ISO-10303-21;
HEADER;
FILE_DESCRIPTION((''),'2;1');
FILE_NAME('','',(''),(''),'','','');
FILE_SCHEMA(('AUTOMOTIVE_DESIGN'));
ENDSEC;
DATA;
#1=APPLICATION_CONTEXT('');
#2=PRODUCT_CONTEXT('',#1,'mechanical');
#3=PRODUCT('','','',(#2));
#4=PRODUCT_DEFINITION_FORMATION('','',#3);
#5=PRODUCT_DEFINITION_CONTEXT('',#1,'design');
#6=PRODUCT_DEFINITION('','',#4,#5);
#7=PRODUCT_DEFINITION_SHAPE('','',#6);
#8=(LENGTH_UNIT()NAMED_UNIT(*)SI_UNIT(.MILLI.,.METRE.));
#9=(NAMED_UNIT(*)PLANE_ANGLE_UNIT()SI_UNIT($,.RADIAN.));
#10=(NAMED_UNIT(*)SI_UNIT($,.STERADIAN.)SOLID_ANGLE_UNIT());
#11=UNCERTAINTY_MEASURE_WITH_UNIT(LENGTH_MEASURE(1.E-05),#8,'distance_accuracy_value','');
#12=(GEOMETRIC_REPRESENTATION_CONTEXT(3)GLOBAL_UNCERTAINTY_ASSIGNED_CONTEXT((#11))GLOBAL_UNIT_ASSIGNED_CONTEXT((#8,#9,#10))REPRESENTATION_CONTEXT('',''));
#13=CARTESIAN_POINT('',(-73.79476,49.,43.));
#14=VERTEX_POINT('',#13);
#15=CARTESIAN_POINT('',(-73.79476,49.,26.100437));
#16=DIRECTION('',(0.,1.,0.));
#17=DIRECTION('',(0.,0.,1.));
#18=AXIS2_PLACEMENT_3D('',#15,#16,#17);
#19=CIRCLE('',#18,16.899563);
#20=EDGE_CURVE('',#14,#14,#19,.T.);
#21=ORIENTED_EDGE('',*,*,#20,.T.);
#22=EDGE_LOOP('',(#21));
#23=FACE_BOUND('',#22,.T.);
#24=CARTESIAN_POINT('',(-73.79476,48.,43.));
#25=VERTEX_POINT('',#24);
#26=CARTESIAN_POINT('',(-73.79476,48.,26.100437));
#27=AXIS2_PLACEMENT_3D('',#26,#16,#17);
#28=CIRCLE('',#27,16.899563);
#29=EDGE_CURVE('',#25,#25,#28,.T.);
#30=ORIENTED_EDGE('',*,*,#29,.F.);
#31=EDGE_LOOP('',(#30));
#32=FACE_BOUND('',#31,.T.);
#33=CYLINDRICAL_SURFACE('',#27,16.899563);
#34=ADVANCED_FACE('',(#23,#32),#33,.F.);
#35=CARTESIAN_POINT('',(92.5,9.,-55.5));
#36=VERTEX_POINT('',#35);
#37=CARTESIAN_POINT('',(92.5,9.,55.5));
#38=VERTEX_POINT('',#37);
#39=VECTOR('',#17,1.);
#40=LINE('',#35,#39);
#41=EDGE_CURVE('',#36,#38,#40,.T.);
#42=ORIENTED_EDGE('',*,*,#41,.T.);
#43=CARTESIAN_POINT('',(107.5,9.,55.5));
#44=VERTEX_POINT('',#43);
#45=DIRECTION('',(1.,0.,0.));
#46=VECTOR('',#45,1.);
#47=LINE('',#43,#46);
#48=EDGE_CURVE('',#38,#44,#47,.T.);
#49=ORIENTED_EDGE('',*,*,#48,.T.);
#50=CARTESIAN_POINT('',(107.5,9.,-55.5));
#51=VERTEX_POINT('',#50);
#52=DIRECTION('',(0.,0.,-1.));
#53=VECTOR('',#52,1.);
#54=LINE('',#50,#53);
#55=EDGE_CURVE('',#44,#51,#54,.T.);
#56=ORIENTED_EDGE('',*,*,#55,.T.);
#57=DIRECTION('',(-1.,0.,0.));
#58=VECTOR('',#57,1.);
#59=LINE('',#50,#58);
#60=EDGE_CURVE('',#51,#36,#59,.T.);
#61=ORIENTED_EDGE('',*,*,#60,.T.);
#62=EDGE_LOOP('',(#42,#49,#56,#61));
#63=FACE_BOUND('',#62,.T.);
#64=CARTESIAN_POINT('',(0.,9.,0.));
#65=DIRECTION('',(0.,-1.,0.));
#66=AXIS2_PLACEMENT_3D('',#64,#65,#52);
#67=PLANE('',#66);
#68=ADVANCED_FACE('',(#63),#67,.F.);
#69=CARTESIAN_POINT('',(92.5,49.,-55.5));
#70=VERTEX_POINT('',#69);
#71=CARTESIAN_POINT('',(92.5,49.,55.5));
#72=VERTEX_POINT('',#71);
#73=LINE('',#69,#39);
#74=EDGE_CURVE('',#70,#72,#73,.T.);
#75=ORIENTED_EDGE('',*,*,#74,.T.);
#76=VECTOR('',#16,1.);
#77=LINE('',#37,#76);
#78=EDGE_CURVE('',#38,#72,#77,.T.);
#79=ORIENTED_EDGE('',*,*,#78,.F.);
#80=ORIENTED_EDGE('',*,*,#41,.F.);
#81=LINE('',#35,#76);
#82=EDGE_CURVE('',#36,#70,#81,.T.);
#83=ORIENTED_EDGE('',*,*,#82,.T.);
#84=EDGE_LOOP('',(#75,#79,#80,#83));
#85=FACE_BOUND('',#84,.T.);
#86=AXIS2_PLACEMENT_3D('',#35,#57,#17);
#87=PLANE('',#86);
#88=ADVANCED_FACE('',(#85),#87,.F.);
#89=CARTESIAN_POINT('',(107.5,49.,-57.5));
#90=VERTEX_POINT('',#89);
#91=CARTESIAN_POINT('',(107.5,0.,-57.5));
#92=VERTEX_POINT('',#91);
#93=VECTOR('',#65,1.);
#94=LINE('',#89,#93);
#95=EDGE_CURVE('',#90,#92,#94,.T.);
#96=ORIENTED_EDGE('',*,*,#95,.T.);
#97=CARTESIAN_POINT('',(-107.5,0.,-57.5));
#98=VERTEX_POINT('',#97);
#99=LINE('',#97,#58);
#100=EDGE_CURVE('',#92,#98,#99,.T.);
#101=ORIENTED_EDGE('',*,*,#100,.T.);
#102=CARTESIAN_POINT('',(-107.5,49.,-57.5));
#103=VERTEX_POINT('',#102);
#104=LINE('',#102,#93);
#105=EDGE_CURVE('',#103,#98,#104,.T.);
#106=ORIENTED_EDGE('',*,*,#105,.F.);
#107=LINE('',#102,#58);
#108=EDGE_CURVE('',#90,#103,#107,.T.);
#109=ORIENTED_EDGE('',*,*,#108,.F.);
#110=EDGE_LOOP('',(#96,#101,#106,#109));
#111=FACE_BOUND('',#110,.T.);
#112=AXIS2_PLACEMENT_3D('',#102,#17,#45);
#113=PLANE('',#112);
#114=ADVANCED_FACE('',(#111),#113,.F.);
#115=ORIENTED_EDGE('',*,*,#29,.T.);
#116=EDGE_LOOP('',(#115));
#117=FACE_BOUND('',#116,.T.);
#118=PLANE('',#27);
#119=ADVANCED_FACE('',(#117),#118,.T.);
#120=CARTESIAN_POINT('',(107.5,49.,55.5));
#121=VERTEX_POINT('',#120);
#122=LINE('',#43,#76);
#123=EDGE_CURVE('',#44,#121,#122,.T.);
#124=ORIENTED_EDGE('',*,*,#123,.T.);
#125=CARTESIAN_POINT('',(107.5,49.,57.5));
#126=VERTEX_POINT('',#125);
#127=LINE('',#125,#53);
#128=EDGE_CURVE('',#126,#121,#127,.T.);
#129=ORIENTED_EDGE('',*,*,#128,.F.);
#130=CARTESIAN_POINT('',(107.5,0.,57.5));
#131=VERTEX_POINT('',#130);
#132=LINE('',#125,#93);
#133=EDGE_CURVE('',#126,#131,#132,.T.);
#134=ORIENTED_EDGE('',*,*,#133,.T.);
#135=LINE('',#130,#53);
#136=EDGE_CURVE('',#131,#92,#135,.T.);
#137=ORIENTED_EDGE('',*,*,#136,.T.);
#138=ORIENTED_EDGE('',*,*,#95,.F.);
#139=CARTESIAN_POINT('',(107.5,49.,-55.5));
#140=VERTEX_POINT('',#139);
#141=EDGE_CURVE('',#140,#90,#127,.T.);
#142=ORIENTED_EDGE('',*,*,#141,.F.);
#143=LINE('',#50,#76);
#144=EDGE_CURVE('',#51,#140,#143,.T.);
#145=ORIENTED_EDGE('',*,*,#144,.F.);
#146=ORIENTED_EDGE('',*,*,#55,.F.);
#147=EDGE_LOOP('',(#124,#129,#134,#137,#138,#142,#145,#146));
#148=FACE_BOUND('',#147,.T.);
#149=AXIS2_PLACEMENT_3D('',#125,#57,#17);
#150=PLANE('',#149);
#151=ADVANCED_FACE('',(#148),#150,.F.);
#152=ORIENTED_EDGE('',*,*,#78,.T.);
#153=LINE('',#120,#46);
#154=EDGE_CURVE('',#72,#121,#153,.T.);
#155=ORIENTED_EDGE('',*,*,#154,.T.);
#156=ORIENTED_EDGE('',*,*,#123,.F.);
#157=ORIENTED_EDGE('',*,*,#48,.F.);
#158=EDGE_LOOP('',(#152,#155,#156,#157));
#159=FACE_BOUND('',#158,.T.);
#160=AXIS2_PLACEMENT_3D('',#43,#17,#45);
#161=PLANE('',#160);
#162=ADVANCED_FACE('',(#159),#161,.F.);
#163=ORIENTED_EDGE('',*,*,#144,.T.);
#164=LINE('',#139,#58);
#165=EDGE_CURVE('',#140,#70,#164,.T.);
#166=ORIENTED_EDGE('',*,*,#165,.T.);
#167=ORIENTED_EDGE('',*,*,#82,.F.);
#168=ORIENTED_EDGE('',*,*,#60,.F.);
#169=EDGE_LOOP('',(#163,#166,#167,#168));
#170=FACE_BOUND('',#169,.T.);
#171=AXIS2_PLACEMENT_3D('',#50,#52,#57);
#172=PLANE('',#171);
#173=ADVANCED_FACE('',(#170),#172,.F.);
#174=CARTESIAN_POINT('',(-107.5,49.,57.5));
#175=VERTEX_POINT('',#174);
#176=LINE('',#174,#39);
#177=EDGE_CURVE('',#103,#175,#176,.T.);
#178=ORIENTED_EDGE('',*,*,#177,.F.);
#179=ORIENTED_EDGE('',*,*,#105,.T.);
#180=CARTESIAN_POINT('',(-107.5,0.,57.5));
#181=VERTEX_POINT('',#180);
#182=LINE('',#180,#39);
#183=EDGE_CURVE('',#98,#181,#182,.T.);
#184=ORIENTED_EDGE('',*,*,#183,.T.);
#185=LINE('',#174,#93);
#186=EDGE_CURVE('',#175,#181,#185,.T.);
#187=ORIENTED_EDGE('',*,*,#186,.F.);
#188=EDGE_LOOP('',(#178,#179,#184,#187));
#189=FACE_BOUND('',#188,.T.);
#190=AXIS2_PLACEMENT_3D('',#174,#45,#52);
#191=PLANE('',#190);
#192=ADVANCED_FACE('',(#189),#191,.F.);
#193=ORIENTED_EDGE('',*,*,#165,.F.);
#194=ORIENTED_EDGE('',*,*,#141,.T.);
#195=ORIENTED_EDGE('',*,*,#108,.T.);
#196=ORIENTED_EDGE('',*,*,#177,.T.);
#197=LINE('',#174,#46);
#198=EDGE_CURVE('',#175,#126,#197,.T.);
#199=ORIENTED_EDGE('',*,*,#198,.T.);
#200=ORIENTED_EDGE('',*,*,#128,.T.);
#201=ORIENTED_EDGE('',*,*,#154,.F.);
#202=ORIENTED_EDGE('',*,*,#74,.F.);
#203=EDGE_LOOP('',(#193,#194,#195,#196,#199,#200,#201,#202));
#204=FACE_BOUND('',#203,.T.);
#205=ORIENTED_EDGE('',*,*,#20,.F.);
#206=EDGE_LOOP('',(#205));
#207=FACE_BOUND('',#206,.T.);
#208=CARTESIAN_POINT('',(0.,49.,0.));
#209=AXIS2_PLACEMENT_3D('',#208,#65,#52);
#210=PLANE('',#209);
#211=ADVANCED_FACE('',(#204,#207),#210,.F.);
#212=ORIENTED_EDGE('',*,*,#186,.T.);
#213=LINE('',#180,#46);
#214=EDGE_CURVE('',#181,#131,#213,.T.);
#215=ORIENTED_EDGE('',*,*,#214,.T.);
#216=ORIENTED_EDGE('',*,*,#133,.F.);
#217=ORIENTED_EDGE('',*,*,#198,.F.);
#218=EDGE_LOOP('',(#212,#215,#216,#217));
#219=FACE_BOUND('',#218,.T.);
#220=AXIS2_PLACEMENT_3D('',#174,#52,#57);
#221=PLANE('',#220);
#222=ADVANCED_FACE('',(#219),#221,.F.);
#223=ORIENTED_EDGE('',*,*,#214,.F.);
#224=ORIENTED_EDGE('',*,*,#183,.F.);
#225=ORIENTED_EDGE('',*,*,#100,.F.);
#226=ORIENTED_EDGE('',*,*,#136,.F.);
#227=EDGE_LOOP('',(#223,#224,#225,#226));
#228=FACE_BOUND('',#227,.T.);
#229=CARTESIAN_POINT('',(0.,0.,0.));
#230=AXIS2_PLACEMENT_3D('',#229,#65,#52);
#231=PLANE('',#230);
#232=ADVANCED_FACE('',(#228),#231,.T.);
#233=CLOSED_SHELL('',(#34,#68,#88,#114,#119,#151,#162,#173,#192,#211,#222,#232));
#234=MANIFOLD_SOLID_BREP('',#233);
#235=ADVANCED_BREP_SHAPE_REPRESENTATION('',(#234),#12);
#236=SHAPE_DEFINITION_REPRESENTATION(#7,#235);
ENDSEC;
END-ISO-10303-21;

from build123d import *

# Parameters (mm, degrees)
SKETCH1_W           = 215
SKETCH1_H           = 115
BOSS_EXTRUDE1_DEPTH = 49
SKETCH2_R           = 16.899563319
CUT_EXTRUDE1_DEPTH  = 1
SKETCH4_W           = 15
SKETCH4_H           = 111
CUT_EXTRUDE2_DEPTH  = 40


with BuildPart() as part:
    # Sketch1 → Boss-Extrude1 (new body)
    with BuildSketch(Plane(origin=(0, 0, 0), x_dir=(1, 0, 0), z_dir=(0, 1, 0))):
        Rectangle(SKETCH1_W, SKETCH1_H)
    extrude(amount=BOSS_EXTRUDE1_DEPTH)

    # Sketch2 → Cut-Extrude1 (cut)
    with BuildSketch(Plane(origin=(0, 49, 0), x_dir=(1, 0, 0), z_dir=(0, 1, 0))):
        with Locations(Location((-73.794759825, -26.100436681, 0), (0, 0, 270))):
            Circle(SKETCH2_R)
    extrude(amount=-CUT_EXTRUDE1_DEPTH, mode=Mode.SUBTRACT)

    # Sketch4 → Cut-Extrude2 (cut)
    with BuildSketch(Plane(origin=(0, 49, 0), x_dir=(1, 0, 0), z_dir=(0, 1, 0))):
        with Locations((100, 0)):
            Rectangle(SKETCH4_W, SKETCH4_H)
    extrude(amount=-CUT_EXTRUDE2_DEPTH, mode=Mode.SUBTRACT)


solid = part.part
